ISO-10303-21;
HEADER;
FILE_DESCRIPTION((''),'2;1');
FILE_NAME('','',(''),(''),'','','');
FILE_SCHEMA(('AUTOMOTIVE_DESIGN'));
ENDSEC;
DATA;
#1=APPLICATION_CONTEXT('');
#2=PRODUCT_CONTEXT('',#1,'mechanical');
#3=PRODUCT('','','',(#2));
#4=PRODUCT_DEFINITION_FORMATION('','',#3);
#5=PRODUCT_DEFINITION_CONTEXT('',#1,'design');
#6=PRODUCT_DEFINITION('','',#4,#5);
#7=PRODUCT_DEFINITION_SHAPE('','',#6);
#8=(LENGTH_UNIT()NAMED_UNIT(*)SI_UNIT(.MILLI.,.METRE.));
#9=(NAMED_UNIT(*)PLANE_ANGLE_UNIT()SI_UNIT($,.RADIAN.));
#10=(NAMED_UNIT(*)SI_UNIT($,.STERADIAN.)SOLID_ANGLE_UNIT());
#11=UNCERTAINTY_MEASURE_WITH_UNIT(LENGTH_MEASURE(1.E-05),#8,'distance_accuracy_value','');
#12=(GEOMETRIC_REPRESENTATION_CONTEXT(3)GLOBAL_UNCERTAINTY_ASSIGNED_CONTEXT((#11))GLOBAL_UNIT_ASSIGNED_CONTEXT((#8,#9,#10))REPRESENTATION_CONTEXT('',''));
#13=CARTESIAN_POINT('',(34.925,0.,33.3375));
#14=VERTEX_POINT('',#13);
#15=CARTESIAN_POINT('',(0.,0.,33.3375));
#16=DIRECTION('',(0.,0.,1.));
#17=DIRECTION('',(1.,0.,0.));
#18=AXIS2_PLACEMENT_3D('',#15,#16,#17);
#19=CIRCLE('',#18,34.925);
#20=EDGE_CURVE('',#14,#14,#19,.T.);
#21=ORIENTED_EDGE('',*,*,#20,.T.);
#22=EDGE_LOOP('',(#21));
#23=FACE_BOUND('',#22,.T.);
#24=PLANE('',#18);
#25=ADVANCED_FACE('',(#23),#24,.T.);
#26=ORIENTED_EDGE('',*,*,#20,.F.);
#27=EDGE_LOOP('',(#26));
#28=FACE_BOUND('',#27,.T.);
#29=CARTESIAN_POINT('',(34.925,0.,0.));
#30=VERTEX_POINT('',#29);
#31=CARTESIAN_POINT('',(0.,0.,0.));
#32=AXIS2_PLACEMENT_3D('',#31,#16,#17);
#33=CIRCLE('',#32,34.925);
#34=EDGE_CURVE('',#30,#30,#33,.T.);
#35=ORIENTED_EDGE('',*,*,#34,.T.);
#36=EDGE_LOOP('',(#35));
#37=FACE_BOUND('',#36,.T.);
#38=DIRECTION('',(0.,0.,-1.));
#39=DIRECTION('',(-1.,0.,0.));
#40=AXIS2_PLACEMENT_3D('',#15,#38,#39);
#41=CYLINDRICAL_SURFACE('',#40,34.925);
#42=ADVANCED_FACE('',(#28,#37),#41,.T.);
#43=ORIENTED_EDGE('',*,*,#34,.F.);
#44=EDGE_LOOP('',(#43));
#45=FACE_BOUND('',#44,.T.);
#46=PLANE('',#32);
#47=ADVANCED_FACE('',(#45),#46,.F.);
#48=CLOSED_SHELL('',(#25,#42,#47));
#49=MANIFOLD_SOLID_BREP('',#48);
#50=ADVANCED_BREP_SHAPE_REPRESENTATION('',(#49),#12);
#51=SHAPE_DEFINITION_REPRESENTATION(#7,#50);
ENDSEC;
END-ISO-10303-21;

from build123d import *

# Parameters (mm, degrees)
SKETCH1_R           = 34.925
BOSS_EXTRUDE1_DEPTH = 33.3375


with BuildPart() as part:
    # Sketch1 → Boss-Extrude1 (new body)
    with BuildSketch(Plane.XY):
        Circle(SKETCH1_R)
    extrude(amount=BOSS_EXTRUDE1_DEPTH)


solid = part.part
